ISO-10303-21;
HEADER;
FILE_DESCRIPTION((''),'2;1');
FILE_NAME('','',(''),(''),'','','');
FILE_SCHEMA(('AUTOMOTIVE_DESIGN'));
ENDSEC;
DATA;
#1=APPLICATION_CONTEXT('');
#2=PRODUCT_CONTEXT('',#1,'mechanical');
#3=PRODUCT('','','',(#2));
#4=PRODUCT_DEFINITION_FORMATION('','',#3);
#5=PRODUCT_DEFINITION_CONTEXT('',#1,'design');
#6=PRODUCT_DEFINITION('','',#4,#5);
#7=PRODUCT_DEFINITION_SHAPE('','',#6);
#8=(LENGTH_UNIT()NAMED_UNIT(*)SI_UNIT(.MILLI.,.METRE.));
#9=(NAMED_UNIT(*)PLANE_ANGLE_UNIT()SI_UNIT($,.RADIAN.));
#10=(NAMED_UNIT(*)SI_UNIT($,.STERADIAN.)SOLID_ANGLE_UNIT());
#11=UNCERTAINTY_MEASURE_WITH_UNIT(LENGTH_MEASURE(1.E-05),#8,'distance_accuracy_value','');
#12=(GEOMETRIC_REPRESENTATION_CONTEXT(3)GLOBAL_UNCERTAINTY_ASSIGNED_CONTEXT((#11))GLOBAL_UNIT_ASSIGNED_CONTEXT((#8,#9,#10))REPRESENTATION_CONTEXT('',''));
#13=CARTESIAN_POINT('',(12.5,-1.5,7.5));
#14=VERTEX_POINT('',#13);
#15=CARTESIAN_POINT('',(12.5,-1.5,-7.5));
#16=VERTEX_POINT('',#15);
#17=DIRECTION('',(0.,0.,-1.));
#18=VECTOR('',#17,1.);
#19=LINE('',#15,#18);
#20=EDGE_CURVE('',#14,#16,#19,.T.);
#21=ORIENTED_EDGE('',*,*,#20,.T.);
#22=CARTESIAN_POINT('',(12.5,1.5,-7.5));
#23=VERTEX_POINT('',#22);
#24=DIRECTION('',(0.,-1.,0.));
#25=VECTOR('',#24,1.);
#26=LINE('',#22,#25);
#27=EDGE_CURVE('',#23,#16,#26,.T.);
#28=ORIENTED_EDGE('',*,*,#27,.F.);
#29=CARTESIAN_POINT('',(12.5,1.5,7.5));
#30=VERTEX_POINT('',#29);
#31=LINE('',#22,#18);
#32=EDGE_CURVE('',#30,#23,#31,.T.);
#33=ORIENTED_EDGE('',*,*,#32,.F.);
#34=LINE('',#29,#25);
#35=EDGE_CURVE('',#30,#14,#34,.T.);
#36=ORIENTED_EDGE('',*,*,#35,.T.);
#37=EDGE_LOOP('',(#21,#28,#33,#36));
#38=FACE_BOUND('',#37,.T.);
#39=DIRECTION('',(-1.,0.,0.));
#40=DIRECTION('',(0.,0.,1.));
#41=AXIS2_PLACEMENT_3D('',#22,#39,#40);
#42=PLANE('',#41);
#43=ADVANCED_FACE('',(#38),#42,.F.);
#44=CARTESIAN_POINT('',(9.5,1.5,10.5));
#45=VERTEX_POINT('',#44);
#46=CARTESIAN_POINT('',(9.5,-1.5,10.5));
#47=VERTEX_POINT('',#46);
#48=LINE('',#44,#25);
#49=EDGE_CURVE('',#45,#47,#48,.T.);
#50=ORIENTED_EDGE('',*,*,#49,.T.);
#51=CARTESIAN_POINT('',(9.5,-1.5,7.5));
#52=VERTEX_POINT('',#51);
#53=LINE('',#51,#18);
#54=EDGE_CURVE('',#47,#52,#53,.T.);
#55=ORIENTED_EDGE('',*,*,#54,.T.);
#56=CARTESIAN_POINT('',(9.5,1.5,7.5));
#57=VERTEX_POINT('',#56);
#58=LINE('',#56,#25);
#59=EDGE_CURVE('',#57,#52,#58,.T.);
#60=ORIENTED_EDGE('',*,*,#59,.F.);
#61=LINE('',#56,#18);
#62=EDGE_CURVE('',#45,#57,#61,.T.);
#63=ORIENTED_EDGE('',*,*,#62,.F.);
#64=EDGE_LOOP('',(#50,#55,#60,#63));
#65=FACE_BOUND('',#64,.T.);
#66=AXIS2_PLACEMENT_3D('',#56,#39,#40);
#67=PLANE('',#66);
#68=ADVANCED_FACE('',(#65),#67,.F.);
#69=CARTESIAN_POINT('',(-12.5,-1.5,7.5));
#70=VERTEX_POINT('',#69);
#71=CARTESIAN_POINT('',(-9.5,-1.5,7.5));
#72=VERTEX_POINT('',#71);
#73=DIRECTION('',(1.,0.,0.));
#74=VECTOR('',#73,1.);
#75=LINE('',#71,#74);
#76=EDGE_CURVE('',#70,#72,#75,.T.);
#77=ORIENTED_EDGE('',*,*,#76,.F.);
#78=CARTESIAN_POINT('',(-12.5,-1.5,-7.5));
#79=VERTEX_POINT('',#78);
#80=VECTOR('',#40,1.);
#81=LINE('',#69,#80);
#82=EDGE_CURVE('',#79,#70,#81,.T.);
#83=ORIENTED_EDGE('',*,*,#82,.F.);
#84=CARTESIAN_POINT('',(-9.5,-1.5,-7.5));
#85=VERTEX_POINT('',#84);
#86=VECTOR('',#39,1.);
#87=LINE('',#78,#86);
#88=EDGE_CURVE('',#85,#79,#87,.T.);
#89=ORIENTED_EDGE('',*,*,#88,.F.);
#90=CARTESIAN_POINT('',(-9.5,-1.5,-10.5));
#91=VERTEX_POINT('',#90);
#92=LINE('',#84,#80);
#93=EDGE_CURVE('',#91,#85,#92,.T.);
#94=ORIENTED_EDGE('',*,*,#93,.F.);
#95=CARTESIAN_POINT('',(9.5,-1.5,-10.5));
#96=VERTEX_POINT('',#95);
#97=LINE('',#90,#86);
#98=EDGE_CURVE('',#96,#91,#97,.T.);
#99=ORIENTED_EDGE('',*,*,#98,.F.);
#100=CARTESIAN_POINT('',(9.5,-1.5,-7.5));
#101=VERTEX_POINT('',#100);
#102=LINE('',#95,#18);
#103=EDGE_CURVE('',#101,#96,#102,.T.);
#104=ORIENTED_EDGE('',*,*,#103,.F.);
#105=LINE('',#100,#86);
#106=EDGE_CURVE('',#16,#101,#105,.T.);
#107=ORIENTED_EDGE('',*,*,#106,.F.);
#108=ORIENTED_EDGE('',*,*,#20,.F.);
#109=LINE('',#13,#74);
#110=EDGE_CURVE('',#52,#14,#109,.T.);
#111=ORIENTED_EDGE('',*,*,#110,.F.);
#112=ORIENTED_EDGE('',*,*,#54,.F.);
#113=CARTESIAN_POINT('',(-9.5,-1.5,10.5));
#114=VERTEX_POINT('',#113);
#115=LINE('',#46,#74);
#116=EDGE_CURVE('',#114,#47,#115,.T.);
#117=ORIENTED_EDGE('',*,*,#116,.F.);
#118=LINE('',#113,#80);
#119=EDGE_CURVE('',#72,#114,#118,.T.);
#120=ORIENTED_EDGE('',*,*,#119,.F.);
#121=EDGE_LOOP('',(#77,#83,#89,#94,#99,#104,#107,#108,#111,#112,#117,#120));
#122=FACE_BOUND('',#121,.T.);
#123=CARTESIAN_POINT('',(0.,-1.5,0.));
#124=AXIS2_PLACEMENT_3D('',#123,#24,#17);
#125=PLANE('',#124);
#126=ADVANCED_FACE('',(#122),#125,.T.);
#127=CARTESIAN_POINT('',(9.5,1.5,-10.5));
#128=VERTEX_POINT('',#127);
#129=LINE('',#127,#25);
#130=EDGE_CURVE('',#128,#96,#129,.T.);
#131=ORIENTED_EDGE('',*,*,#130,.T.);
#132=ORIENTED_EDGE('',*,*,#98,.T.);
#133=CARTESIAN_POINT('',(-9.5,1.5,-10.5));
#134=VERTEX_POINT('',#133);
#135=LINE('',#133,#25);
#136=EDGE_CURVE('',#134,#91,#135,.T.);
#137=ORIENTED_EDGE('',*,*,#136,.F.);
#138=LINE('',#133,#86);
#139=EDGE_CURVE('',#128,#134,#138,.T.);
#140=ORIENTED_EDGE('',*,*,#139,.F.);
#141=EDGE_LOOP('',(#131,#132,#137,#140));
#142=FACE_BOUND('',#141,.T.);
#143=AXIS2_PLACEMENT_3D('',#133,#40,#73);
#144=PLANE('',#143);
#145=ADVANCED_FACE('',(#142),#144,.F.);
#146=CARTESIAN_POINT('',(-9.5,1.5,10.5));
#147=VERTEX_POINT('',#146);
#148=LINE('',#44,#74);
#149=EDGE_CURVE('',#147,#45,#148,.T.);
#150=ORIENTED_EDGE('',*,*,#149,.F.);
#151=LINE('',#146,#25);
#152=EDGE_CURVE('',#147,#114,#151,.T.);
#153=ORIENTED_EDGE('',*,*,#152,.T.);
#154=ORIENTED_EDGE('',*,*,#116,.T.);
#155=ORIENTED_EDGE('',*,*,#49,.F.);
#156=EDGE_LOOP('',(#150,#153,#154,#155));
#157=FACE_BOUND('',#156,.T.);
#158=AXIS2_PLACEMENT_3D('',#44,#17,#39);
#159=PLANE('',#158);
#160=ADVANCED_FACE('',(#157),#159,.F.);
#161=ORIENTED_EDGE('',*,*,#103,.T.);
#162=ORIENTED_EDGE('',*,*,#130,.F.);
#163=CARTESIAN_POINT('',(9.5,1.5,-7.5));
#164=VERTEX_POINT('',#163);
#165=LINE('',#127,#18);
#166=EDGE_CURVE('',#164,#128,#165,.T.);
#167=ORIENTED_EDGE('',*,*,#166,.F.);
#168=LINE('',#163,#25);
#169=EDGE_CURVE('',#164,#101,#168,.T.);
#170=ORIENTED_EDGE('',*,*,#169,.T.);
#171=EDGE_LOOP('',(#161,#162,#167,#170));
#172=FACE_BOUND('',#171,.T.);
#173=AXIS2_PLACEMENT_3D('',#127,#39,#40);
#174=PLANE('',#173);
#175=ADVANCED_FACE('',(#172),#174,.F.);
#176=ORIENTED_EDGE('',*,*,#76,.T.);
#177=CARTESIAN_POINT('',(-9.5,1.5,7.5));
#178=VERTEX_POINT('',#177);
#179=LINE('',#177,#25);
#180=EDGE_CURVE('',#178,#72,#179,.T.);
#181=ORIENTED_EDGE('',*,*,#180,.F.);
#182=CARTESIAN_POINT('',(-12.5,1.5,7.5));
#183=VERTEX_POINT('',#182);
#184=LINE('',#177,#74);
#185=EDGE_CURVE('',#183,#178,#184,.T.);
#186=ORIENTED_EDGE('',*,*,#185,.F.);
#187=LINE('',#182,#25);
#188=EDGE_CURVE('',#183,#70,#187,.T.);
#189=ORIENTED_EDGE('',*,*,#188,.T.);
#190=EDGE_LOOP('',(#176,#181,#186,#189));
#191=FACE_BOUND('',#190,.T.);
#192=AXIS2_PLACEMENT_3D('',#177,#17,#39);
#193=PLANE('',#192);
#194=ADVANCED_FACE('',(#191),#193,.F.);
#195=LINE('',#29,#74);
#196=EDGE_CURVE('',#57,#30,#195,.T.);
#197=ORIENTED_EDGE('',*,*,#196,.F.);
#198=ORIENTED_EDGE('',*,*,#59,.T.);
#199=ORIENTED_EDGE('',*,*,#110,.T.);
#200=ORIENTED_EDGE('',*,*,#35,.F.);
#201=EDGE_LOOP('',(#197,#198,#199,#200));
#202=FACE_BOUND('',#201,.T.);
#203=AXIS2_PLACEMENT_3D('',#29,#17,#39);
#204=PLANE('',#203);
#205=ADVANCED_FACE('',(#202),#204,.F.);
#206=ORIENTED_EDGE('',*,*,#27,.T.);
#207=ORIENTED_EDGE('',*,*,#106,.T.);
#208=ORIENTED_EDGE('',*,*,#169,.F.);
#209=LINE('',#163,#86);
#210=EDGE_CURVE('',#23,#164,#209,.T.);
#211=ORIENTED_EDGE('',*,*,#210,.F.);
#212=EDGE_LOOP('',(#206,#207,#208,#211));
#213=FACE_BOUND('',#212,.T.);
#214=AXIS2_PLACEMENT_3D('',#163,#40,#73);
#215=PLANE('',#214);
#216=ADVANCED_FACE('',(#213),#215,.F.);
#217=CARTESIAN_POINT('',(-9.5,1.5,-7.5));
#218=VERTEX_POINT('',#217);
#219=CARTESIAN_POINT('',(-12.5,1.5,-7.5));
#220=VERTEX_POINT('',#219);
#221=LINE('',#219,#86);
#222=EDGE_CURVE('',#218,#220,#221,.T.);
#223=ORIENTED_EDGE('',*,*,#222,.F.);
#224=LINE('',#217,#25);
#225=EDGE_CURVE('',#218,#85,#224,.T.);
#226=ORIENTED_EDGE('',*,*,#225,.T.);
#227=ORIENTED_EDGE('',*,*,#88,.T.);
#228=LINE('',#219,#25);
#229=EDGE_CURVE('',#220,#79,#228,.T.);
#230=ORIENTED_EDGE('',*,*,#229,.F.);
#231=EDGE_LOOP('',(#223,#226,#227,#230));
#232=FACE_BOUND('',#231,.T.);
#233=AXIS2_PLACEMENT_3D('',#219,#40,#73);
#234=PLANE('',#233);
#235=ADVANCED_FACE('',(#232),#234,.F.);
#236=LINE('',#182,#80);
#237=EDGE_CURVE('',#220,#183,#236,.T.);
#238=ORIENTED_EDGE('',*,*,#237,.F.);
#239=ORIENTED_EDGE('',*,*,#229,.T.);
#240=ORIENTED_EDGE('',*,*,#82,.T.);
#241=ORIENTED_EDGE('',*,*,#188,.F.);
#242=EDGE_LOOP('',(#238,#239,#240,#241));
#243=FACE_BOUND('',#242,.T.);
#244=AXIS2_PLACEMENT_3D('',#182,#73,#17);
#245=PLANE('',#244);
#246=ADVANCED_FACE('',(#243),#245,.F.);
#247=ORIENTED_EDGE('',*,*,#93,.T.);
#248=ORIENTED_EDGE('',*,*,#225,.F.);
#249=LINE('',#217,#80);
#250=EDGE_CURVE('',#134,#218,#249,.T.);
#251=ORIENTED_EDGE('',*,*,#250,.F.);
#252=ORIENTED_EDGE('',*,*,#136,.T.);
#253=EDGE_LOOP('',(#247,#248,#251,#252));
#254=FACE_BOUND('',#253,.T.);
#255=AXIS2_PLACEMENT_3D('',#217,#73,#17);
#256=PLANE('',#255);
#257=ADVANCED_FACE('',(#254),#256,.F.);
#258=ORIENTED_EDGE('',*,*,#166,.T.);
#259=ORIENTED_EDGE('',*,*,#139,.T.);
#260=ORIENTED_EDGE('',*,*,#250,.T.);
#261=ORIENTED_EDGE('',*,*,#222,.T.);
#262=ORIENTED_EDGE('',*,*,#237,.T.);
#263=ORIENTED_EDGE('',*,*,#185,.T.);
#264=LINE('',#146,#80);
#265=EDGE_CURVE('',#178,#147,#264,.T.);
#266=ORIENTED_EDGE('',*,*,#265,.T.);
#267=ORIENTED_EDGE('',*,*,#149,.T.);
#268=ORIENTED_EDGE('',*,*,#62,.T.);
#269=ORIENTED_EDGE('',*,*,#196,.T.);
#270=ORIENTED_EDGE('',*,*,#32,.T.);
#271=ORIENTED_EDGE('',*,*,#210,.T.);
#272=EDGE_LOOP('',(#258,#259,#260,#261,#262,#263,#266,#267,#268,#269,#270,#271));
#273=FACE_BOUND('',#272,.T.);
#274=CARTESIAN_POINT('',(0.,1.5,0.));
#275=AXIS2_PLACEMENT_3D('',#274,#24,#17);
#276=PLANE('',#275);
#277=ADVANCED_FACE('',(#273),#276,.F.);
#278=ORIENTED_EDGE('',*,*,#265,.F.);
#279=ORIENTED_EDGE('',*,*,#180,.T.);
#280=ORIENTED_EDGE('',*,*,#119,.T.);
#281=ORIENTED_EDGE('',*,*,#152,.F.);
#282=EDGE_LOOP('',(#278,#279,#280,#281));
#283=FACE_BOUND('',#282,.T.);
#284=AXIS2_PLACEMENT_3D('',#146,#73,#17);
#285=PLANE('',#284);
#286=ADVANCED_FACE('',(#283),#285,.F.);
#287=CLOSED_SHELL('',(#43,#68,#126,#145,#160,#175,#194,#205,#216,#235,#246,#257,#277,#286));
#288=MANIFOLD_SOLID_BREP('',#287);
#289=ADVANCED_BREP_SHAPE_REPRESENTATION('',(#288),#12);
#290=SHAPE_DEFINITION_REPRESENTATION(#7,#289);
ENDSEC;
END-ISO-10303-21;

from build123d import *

# Parameters (mm, degrees)
BOSS_EXTRUDE1_DEPTH = 1.5


with BuildPart() as part:
    # Sketch1 → Boss-Extrude1 (new body, symmetric)
    with BuildSketch(Plane(origin=(0, 0, 0), x_dir=(1, 0, 0), z_dir=(0, 1, 0))):
        Polygon((-9.5, 10.5), (9.5, 10.5), (9.5, 7.5), (12.5, 7.5), (12.5, -7.5), (9.5, -7.5), (9.5, -10.5), (-9.5, -10.5), (-9.5, -7.5), (-12.5, -7.5), (-12.5, 7.5), (-9.5, 7.5), align=None)
    extrude(amount=BOSS_EXTRUDE1_DEPTH, both=True)


solid = part.part
